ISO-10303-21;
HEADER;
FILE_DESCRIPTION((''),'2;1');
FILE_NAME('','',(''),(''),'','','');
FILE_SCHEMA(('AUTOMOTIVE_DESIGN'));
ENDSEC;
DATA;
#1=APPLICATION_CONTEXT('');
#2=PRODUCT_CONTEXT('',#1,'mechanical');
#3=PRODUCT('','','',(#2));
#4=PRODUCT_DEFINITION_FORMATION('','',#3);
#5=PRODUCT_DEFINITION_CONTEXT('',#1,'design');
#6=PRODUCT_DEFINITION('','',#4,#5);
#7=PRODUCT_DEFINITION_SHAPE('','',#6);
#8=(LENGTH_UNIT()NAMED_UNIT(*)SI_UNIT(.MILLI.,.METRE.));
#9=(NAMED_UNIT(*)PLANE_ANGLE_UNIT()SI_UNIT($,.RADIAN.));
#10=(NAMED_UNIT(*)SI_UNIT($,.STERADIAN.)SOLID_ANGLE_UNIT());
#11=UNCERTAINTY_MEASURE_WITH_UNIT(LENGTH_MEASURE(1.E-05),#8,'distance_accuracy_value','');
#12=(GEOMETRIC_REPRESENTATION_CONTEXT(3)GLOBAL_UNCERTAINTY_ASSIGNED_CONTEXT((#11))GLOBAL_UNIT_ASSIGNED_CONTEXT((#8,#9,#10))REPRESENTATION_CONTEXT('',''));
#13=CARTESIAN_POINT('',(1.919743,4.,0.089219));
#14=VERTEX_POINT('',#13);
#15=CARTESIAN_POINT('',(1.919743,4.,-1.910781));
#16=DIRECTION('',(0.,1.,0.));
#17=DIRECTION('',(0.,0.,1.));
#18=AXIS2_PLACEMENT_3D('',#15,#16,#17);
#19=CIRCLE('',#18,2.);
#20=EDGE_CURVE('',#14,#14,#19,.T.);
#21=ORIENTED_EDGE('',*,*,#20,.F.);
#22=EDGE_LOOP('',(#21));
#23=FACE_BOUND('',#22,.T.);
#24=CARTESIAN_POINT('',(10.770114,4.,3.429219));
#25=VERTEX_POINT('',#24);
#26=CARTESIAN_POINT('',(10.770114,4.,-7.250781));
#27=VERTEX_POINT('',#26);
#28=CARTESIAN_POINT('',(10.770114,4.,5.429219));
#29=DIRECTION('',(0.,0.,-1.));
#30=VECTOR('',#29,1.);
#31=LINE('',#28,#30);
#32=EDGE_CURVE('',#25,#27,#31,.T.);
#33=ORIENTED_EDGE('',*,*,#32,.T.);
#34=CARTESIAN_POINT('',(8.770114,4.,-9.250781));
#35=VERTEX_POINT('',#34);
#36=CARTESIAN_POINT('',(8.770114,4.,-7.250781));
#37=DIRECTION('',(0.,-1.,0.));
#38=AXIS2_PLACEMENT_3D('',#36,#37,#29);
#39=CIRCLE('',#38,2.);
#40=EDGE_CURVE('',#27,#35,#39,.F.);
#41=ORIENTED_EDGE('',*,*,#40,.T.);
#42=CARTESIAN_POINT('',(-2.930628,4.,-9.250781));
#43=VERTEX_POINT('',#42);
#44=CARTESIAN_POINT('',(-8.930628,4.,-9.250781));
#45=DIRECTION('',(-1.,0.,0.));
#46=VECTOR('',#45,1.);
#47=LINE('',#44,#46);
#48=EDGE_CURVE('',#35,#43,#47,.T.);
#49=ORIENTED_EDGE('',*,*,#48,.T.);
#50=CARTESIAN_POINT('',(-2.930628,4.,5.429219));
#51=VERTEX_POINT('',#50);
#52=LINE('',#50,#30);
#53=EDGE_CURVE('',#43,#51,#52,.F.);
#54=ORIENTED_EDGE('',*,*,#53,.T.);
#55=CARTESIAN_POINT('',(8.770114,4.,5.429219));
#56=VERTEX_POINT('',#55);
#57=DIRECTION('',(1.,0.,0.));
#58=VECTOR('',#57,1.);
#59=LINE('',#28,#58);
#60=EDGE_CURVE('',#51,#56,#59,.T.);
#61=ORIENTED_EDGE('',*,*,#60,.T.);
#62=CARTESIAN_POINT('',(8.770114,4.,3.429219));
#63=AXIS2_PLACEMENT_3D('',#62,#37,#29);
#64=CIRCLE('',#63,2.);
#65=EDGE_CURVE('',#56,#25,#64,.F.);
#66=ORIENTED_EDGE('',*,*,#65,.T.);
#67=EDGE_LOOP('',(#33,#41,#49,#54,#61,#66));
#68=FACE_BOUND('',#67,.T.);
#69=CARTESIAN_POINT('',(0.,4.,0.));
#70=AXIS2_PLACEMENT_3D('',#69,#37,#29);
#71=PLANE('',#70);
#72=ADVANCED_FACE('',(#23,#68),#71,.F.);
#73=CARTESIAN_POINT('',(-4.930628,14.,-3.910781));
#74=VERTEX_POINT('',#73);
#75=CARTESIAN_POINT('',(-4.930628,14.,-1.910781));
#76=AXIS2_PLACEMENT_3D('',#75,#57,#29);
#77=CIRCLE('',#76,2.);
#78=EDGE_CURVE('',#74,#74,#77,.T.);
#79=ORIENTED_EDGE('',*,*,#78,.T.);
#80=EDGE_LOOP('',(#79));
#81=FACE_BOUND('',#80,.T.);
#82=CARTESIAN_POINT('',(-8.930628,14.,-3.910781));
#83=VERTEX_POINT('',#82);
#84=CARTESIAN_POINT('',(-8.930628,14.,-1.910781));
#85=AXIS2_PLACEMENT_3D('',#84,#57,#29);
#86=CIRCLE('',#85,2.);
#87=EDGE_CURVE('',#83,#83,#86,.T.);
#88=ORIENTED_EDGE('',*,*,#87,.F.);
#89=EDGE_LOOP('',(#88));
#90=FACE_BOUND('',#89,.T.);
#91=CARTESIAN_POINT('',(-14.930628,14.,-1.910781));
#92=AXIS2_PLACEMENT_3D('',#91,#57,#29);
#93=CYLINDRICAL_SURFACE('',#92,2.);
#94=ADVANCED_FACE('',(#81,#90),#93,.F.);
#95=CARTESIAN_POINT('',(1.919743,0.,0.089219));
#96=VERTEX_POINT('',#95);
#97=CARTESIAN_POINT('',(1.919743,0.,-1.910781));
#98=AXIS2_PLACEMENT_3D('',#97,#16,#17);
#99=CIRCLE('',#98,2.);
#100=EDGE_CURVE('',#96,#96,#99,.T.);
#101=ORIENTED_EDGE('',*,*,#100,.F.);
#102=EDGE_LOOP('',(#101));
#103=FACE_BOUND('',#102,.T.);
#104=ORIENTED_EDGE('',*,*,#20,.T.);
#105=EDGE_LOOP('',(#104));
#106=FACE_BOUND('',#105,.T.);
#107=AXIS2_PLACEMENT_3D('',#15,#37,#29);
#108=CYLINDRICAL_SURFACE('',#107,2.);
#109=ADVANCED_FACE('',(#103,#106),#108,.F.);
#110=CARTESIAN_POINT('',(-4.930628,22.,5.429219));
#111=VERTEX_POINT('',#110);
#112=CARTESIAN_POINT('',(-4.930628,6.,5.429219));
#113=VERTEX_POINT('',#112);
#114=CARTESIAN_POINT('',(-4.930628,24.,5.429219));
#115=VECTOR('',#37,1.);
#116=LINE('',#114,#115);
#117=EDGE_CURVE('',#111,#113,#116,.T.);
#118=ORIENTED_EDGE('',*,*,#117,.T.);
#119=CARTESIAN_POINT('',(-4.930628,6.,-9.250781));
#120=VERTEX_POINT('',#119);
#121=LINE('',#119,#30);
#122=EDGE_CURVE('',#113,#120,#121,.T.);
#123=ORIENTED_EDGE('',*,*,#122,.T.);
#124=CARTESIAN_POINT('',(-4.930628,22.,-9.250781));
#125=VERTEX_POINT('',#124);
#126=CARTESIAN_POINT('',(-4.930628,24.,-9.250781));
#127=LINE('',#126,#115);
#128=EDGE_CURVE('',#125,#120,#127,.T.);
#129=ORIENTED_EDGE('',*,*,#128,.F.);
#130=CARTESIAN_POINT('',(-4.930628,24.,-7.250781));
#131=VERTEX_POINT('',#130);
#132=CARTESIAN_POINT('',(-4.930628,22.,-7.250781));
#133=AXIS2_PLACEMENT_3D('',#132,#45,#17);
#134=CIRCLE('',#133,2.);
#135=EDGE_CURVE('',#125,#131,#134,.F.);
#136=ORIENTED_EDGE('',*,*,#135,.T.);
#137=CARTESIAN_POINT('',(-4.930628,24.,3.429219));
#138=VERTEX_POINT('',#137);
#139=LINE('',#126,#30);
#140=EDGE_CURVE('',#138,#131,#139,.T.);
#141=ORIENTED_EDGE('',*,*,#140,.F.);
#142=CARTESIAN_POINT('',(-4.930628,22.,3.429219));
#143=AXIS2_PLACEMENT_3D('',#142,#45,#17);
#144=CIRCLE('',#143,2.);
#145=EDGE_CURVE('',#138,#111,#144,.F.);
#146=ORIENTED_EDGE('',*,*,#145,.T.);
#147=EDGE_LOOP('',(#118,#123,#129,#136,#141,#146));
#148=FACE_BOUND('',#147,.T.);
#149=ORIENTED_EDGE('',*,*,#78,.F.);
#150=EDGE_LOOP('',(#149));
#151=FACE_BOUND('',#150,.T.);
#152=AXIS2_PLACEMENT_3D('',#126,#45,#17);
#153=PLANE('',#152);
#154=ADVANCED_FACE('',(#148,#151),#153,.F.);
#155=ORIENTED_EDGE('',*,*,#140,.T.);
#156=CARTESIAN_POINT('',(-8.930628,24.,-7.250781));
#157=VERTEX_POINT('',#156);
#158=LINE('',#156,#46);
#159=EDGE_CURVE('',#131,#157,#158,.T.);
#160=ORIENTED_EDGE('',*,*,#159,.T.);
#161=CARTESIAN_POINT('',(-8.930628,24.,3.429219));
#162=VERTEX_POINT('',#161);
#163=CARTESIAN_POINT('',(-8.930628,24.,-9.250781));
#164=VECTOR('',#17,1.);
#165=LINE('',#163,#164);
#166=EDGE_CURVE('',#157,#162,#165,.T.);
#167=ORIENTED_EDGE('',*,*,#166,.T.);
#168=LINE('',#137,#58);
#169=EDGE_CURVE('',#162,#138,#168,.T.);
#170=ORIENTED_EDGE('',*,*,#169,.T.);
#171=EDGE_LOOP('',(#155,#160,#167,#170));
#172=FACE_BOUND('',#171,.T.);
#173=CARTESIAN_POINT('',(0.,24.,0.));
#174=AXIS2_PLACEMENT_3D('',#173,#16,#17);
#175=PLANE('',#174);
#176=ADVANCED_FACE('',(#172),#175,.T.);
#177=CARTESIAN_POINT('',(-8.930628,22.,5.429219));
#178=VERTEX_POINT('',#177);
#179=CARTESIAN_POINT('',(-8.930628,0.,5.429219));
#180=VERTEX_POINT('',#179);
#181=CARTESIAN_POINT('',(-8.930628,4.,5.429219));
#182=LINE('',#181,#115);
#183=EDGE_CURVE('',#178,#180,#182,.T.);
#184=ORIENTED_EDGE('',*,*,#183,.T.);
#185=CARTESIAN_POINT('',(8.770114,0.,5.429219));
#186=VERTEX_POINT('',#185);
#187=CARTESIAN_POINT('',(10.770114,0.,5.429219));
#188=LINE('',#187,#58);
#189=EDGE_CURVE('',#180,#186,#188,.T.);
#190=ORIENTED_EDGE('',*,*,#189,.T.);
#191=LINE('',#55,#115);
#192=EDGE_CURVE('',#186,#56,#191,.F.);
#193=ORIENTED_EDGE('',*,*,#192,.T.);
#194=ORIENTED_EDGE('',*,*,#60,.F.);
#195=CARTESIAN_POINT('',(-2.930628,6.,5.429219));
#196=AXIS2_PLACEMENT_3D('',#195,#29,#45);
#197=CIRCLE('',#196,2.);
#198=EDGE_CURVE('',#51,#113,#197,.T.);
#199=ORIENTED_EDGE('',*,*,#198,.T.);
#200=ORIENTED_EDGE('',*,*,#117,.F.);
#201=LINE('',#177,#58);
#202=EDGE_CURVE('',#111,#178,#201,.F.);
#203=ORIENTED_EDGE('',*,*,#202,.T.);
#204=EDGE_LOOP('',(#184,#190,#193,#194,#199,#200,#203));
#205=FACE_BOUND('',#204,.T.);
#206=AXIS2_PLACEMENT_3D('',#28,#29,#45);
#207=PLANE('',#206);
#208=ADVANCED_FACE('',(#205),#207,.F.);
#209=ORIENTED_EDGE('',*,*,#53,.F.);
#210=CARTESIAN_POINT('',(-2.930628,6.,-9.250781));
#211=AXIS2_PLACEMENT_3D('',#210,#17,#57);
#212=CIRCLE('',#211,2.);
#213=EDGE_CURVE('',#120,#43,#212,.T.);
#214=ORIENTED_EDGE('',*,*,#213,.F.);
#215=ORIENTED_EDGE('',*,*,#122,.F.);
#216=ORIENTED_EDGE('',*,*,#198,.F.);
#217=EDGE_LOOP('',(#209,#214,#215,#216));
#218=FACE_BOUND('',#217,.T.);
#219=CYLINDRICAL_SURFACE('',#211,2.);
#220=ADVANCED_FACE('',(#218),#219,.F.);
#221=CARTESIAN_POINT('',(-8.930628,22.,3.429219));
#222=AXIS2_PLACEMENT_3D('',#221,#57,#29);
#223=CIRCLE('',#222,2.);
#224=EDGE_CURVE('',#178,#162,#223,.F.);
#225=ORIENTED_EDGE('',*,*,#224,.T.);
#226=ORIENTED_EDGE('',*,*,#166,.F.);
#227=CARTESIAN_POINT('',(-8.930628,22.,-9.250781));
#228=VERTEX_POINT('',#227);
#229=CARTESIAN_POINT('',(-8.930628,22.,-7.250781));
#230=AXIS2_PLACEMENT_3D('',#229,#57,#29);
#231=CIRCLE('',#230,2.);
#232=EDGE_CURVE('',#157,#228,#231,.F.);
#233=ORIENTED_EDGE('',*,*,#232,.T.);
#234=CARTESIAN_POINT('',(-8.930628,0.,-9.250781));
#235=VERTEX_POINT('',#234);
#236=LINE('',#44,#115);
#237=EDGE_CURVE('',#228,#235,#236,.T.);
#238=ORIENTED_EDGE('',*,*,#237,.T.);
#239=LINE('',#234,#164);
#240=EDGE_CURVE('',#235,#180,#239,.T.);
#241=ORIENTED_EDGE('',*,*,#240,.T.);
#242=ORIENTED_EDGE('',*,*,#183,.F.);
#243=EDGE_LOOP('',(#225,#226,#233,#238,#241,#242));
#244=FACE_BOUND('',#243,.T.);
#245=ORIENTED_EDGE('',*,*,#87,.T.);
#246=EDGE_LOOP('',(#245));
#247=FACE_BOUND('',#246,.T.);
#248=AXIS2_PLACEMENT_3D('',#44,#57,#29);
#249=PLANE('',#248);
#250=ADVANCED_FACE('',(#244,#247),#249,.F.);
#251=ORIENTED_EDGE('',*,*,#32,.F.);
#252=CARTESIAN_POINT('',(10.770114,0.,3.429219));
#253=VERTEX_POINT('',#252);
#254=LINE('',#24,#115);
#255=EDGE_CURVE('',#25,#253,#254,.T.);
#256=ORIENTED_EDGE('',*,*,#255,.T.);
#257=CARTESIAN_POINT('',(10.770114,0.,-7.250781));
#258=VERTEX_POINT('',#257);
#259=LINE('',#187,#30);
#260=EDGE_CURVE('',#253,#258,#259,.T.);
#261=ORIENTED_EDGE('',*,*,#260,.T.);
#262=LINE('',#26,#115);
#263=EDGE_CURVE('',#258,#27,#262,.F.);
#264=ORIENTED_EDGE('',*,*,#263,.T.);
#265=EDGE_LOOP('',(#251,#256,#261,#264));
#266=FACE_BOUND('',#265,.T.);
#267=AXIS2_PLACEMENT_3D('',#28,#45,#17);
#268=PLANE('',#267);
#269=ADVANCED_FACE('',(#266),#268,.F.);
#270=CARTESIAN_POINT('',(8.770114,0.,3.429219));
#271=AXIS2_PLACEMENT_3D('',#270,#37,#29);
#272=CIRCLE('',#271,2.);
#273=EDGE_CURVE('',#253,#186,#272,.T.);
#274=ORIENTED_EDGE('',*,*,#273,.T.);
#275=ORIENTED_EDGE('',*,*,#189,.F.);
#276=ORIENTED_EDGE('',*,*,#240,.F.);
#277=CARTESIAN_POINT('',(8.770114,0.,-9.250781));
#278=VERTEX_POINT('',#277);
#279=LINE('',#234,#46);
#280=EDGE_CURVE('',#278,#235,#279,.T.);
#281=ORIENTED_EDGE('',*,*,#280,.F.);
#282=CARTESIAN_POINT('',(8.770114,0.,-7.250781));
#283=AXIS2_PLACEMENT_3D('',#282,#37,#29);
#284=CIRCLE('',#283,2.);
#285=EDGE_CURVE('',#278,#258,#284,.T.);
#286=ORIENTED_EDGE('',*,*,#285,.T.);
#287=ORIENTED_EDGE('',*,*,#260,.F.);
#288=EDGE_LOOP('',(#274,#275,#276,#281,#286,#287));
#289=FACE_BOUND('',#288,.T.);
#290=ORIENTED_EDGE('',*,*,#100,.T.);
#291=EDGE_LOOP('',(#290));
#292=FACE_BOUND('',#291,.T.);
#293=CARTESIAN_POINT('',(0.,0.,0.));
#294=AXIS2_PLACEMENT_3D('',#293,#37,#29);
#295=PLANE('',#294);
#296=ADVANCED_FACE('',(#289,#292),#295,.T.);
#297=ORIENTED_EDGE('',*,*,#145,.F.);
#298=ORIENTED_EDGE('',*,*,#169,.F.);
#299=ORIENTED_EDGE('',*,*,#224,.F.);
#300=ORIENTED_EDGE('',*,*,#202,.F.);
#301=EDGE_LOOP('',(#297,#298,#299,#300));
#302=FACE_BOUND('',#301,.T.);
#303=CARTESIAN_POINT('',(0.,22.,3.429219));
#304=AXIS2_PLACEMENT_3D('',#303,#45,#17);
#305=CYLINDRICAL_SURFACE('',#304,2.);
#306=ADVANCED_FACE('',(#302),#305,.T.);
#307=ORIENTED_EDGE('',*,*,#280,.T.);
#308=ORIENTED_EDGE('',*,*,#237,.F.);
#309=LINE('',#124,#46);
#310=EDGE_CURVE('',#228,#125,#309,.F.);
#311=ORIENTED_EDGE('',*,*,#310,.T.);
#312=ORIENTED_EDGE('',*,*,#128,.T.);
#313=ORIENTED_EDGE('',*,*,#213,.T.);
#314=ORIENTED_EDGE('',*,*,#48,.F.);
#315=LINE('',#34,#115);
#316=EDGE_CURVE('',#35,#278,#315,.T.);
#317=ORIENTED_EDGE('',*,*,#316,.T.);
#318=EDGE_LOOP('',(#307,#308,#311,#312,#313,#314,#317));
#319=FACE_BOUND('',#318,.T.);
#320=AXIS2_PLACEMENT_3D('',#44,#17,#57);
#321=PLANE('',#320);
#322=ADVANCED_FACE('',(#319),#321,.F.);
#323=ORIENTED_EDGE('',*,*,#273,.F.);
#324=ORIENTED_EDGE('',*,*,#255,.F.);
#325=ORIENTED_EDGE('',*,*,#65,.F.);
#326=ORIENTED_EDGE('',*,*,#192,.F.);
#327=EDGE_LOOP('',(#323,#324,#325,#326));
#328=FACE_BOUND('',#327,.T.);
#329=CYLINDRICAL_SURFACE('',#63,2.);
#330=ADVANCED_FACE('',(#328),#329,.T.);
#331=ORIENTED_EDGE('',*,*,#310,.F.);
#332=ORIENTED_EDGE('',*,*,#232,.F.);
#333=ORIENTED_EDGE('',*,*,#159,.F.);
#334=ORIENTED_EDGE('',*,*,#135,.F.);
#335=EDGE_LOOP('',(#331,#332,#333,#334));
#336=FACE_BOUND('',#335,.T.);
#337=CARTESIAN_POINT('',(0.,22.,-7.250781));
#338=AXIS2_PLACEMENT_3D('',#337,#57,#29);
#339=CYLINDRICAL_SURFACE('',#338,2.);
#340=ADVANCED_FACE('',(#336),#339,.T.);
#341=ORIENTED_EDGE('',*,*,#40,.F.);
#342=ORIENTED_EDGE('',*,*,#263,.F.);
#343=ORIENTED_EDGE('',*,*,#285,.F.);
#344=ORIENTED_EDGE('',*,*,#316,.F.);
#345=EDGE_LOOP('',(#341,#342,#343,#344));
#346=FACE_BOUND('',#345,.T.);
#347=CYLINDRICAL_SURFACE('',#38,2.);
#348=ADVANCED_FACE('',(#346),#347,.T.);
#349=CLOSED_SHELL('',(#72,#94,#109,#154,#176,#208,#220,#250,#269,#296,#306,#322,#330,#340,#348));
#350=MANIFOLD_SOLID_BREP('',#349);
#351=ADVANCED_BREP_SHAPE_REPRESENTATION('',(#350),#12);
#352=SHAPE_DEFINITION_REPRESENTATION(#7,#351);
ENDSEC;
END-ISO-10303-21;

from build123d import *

# Parameters (mm, degrees)
SKETCH3_W           = 19.70074215
SKETCH3_H           = 14.68
SKETCH3_R           = 2
BOSS_EXTRUDE2_DEPTH = 4
SKETCH5_W           = 4
SKETCH5_H           = 14.68
BOSS_EXTRUDE3_DEPTH = 20
SKETCH6_R           = 2
CUT_EXTRUDE1_DEPTH  = 10
FILLET1_R           = 2


with BuildPart() as part:
    # Sketch3 → Boss-Extrude2 (new body)
    with BuildSketch(Plane(origin=(0, 0, 0), x_dir=(1, 0, 0), z_dir=(0, 1, 0))):
        with Locations((0.919743343, 1.910780827)):
            Rectangle(SKETCH3_W, SKETCH3_H)
        with Locations((1.919743345, 1.910780827)):
            Circle(SKETCH3_R, mode=Mode.SUBTRACT)
    extrude(amount=BOSS_EXTRUDE2_DEPTH)

    # Sketch5 → Boss-Extrude3 (add)
    with BuildSketch(Plane(origin=(0, 4, 0), x_dir=(1, 0, 0), z_dir=(0, 1, 0))):
        with Locations((-6.930627732, 1.910780827)):
            Rectangle(SKETCH5_W, SKETCH5_H)
    extrude(amount=BOSS_EXTRUDE3_DEPTH)

    # Sketch6 → Cut-Extrude1 (cut)
    with BuildSketch(Plane(origin=(-4.930627732, 0, 0), x_dir=(0, 0, -1), z_dir=(1, 0, 0))):
        with Locations((1.910780827, 14)):
            Circle(SKETCH6_R)
    extrude(amount=-CUT_EXTRUDE1_DEPTH, mode=Mode.SUBTRACT)

    # Fillet1
    fillet1_edges = [part.edges().sort_by_distance(p)[0] for p in [
        (-4.930627732, 4, -1.910780827),
        (-6.930627732, 24, 5.429219173),
        (-6.930627732, 24, -9.250780827),
        (10.770114418, 2, -9.250780827),
        (10.770114418, 2, 5.429219173),
    ]]
    fillet(fillet1_edges, radius=FILLET1_R)


solid = part.part
